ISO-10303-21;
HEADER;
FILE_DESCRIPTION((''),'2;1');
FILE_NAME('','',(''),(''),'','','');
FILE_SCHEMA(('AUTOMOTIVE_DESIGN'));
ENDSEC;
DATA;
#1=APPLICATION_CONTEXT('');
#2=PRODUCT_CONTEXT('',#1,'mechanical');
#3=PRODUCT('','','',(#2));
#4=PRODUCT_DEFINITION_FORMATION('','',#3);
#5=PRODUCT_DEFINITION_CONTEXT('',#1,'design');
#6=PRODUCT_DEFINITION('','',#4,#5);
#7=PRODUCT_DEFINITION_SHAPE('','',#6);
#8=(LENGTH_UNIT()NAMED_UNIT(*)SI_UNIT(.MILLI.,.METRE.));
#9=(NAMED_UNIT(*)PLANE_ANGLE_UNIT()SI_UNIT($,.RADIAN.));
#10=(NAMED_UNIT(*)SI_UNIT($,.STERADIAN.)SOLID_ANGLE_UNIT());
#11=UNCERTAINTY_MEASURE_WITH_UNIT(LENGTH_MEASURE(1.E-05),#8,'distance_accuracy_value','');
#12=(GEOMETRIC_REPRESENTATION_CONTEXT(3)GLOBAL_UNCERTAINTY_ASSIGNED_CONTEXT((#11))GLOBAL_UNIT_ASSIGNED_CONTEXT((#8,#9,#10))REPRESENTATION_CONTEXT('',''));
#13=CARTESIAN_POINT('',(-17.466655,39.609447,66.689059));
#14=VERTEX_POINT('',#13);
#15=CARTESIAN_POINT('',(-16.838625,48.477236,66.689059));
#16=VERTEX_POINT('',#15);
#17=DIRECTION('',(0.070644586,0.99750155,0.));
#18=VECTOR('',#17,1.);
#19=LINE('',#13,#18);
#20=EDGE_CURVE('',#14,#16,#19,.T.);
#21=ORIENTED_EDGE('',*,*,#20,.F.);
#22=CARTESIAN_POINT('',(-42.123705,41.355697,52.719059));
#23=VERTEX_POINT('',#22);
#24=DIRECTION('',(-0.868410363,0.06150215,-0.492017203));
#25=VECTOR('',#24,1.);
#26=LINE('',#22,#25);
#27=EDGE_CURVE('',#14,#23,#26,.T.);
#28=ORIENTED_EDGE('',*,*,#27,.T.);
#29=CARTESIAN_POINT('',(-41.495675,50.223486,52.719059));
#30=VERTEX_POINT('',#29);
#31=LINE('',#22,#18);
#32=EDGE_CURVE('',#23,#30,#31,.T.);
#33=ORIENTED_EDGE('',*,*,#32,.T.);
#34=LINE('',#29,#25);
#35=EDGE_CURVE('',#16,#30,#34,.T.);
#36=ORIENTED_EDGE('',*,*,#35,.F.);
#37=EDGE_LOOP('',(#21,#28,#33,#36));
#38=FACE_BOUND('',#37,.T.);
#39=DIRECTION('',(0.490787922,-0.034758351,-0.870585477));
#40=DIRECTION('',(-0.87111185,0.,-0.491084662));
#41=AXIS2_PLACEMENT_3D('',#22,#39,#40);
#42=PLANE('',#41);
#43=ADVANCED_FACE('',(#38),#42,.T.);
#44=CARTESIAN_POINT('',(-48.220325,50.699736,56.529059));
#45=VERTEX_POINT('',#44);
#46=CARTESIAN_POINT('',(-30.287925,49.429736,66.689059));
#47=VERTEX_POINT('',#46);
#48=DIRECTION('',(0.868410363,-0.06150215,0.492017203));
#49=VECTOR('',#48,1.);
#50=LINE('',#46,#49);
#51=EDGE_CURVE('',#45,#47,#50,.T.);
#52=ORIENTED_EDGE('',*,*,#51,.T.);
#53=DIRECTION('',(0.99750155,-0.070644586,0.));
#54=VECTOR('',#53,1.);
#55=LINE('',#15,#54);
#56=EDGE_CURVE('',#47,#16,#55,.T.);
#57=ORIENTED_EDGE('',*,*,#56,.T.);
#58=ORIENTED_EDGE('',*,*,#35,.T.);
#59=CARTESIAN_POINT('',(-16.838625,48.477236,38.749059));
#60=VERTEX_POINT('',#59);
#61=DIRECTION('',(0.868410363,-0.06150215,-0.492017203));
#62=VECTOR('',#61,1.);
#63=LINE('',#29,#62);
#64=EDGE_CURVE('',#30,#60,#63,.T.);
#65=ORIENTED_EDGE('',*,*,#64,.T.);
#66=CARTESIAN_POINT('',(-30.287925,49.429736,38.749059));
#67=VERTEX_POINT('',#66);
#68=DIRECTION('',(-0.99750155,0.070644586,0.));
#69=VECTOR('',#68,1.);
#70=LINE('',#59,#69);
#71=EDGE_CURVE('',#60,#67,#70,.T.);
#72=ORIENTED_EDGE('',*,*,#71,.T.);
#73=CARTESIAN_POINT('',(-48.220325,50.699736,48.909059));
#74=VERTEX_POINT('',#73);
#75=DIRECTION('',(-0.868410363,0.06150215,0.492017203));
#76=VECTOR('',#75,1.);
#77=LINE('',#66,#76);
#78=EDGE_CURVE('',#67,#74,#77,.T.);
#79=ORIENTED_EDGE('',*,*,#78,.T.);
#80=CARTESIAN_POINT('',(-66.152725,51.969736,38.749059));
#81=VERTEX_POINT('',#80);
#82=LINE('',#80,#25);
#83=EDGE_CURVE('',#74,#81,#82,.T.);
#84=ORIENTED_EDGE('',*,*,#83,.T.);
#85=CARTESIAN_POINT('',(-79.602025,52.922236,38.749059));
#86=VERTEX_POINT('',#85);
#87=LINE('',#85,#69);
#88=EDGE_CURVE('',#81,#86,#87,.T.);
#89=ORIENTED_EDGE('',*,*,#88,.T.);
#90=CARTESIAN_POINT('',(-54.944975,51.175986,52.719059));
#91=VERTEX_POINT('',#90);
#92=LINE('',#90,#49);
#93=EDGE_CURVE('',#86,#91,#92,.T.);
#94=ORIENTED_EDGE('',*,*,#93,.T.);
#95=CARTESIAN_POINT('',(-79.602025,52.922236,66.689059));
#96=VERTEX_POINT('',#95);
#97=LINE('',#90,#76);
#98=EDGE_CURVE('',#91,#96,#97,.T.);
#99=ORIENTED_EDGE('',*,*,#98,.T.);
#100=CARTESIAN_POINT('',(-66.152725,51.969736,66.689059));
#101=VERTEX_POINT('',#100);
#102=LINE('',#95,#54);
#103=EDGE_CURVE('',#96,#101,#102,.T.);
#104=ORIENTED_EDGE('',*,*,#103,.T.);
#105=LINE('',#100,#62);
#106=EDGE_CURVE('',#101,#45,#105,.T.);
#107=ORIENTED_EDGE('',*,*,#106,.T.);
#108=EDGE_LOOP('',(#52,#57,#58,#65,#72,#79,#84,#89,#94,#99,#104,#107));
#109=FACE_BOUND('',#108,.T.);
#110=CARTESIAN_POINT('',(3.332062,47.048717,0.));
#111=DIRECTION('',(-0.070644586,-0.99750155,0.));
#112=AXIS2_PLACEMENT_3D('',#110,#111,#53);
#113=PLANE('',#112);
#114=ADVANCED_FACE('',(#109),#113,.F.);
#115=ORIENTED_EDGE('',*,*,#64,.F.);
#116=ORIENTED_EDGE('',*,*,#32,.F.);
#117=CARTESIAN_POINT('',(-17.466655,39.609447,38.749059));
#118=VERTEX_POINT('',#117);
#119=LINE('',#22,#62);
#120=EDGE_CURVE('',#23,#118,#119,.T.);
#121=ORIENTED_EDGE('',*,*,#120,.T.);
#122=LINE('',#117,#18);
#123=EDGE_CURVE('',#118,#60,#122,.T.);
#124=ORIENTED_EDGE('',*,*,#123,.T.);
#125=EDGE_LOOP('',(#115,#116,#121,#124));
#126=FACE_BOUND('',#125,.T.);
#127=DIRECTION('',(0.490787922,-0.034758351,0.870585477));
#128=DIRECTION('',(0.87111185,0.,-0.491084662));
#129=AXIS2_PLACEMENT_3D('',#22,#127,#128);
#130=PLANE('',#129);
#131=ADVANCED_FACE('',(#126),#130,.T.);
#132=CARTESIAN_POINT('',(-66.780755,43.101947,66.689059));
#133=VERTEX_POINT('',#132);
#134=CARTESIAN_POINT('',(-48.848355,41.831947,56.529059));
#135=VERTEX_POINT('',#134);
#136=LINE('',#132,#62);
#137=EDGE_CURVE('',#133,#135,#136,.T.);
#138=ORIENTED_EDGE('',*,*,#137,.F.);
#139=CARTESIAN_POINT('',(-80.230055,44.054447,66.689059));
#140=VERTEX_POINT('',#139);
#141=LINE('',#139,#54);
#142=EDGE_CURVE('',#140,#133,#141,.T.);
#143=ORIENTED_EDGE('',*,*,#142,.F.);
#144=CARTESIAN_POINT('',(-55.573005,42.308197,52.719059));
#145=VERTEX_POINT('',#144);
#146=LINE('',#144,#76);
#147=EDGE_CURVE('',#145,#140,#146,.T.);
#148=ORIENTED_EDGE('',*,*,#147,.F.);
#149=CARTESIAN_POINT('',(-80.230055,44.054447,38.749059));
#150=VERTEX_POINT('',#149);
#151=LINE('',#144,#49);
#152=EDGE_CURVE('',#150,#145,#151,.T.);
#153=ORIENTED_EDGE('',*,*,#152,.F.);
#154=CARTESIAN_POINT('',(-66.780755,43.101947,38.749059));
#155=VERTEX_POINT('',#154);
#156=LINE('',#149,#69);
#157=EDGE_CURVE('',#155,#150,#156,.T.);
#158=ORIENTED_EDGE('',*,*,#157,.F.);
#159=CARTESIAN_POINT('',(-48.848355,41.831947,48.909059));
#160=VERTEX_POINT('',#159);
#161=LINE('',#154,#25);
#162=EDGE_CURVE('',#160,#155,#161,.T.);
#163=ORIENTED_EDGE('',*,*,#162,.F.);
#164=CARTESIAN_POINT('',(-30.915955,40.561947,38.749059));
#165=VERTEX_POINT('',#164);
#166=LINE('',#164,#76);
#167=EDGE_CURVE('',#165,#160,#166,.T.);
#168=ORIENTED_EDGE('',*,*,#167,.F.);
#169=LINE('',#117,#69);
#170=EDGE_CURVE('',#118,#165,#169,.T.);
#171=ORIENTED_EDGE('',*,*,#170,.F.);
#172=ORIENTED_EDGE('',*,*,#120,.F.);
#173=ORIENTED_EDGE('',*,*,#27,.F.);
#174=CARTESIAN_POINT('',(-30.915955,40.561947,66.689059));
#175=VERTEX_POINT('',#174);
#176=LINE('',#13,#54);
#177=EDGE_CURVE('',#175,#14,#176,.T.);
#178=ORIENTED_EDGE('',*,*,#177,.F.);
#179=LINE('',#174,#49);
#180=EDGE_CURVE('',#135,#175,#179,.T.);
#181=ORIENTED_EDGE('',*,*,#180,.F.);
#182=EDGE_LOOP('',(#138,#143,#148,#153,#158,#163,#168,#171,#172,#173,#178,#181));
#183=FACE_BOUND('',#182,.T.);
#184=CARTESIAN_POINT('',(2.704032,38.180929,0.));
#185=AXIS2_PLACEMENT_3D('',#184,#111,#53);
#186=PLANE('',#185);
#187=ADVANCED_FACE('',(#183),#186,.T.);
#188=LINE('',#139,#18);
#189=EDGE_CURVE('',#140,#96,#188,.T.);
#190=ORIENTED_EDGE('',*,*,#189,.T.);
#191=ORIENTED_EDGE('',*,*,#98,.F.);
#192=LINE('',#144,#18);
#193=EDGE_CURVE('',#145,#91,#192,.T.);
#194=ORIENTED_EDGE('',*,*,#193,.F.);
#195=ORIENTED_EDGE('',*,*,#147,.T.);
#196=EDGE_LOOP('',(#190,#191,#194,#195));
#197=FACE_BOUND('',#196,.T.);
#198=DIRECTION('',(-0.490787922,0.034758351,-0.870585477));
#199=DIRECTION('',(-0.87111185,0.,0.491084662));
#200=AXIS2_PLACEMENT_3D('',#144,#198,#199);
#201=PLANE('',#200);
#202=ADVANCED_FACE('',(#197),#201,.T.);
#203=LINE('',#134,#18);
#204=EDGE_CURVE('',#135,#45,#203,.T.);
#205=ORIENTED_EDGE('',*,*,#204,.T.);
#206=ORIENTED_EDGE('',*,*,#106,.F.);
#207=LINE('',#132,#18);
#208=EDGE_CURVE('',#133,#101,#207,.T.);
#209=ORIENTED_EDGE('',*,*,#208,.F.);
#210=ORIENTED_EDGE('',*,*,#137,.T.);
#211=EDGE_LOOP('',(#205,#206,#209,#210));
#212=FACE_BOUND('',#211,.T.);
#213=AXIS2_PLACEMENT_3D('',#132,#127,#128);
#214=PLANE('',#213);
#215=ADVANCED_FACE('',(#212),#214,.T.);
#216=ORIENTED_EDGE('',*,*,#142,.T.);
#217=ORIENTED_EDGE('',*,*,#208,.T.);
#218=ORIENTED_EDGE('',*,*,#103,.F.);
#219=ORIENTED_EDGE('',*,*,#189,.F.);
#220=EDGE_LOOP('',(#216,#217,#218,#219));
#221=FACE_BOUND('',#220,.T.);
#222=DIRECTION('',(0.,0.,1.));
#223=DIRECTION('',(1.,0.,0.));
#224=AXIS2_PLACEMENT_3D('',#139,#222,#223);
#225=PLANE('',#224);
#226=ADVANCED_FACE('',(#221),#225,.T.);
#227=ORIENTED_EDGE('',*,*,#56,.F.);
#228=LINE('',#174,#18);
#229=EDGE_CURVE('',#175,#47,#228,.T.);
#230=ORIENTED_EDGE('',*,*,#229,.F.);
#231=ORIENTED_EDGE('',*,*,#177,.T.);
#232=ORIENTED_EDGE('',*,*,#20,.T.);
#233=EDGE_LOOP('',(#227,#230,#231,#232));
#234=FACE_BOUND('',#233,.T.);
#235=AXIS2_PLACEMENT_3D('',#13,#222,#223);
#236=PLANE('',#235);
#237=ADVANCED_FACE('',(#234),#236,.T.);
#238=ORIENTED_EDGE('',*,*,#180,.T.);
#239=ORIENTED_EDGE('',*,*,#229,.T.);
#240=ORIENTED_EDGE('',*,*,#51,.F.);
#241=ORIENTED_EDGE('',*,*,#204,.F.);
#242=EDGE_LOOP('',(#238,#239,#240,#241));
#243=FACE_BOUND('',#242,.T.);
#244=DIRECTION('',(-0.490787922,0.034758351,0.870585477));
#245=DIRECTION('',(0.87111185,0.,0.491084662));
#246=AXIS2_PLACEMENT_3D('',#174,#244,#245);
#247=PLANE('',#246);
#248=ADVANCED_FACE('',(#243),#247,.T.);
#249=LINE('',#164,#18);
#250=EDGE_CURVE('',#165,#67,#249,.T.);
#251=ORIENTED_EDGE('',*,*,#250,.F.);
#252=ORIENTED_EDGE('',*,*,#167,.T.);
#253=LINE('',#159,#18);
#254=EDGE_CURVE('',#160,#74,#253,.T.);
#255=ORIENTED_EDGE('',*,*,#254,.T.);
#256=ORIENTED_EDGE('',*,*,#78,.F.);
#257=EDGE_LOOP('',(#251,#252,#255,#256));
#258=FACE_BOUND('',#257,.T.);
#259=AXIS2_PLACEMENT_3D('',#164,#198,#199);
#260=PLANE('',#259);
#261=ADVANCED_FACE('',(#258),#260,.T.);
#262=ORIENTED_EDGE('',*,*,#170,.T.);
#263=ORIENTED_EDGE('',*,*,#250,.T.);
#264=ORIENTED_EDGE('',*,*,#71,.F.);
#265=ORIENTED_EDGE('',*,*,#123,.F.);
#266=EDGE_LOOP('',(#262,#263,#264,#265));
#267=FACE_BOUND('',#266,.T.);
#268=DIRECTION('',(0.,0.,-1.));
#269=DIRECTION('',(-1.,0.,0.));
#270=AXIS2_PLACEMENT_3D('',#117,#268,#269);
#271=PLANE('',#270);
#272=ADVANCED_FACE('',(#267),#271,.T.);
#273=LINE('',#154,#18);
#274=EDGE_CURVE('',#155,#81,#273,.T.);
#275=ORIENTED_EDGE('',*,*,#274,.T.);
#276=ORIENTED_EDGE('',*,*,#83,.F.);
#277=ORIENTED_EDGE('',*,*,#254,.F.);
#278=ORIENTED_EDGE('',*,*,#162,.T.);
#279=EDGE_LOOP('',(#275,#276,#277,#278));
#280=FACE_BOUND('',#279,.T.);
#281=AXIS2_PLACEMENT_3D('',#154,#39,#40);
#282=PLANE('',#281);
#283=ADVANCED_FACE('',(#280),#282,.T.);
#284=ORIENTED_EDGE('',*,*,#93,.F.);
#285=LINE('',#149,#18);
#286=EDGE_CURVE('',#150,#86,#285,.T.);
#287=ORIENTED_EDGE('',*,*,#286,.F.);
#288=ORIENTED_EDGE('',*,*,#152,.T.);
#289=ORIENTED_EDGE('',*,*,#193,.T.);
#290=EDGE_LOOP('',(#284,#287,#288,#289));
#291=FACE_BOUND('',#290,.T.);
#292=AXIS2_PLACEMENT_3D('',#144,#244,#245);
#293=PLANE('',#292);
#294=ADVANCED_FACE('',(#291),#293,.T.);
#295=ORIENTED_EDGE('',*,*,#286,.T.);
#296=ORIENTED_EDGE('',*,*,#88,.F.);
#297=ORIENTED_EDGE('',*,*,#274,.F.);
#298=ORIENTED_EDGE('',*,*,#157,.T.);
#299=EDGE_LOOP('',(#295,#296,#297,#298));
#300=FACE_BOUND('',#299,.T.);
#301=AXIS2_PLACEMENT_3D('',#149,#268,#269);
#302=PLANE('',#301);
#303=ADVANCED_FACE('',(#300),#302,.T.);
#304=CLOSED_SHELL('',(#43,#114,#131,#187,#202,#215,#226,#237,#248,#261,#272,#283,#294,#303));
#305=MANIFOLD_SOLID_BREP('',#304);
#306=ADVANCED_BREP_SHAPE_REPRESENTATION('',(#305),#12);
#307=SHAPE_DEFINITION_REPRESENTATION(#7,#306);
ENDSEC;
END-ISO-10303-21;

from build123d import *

# Parameters (mm, degrees)
BOSS_EXTRUDE1_DEPTH = 8.89


with BuildPart() as part:
    # Sketch1 → Boss-Extrude1 (new body)
    with BuildSketch(Plane(origin=(3.332062131, 47.048717286, 0), x_dir=(0.9975015501295322, -0.07064458570322477, 0), z_dir=(0.07064458570322477, 0.9975015501295322, 0))):
        Polygon((-69.658826246, -66.689059093), (-51.681510825, -56.529059093), (-33.704195404, -66.689059093), (-20.221208838, -66.689059093), (-44.940017542, -52.719059093), (-20.221208838, -38.749059093), (-33.704195404, -38.749059093), (-51.681510825, -48.909059093), (-69.658826246, -38.749059093), (-83.141812813, -38.749059093), (-58.423004108, -52.719059093), (-83.141812813, -66.689059093), align=None)
    extrude(amount=-BOSS_EXTRUDE1_DEPTH)


solid = part.part
